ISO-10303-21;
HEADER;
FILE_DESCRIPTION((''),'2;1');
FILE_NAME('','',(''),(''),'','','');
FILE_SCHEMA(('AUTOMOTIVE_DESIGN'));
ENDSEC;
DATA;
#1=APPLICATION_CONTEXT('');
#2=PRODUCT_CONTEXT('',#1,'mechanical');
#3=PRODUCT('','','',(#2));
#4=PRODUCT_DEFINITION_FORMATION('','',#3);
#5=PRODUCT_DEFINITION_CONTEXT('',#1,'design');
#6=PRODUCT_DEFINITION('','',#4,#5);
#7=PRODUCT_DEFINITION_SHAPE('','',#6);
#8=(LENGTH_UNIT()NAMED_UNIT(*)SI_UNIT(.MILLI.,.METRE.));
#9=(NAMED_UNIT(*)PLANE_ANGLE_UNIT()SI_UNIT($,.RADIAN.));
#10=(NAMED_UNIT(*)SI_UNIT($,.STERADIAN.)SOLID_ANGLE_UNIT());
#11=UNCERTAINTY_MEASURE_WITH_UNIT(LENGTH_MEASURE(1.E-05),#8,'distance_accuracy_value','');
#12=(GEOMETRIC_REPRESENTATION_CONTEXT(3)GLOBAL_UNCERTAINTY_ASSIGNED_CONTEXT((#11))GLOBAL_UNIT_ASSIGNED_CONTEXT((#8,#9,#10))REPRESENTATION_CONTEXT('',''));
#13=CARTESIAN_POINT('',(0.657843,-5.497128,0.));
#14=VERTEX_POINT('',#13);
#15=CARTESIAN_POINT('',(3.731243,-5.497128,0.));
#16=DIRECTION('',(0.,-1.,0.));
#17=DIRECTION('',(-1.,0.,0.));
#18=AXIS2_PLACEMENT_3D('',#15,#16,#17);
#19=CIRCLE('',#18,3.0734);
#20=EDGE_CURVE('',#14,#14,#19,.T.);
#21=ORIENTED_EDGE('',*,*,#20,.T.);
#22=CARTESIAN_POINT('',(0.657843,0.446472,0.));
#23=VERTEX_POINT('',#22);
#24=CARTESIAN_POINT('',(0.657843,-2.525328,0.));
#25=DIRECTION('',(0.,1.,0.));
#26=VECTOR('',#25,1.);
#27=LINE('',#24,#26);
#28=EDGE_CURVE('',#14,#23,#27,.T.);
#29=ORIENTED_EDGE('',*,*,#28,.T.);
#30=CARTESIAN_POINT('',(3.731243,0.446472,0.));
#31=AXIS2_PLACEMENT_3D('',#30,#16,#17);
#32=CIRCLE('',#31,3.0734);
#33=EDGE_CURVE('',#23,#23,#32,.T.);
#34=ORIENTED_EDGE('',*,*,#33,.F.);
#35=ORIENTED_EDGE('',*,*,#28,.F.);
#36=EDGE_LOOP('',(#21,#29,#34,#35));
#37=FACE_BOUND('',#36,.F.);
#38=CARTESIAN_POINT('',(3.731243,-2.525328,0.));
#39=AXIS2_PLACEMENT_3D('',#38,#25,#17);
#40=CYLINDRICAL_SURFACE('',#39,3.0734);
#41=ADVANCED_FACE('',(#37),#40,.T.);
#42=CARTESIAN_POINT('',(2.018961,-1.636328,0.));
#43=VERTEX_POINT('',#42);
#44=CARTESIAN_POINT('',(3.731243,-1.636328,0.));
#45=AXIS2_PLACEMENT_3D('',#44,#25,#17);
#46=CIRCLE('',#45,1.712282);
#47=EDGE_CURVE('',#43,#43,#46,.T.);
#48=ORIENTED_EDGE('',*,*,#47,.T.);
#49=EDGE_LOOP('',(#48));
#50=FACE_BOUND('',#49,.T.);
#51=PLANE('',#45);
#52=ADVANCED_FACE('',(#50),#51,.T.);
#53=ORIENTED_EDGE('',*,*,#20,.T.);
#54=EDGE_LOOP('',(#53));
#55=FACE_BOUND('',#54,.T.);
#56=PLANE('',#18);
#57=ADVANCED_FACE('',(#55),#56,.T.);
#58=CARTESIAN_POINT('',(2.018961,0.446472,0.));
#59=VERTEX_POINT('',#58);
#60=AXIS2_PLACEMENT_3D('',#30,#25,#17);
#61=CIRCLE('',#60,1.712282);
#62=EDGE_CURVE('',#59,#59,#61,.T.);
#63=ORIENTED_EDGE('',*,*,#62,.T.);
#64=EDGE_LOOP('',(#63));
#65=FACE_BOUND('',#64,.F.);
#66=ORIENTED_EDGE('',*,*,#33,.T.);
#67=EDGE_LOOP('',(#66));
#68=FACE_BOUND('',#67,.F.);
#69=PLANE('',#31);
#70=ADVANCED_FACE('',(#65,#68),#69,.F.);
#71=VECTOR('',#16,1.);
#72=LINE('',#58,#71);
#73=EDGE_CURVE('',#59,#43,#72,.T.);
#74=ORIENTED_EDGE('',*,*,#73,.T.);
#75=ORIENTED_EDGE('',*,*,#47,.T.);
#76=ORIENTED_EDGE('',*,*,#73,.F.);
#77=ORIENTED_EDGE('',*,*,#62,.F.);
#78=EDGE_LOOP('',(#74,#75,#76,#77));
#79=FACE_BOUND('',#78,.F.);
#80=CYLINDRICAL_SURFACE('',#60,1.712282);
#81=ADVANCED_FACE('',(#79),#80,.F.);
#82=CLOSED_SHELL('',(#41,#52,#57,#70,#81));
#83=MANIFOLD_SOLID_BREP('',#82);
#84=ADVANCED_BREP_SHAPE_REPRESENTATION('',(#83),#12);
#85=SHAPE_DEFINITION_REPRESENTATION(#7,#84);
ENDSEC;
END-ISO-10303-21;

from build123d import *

# Parameters (mm, degrees)
F0_W     = 3.0734
F0_H     = 5.9436
F2_R     = 1.712282
F3_DEPTH = 2.0828


with BuildPart() as f1:
    # F0 (on Top) → F1 (revolve)
    with BuildSketch(Plane.XY):
        with Locations((2.194543, -2.525328)):
            Rectangle(F0_W, F0_H)
    revolve(axis=Axis((3.731243, -2.525328, 0), (0, -1, 0)))

    # F2 (on face) → F3 (cut)
    with BuildSketch(Plane(origin=(0, 0.446472, 0), x_dir=(-1, 0, 0), z_dir=(0, 1, 0))):
        with Locations((-3.731243, 0)):
            Circle(F2_R)
    extrude(amount=-F3_DEPTH, mode=Mode.SUBTRACT)


solid = f1.part
